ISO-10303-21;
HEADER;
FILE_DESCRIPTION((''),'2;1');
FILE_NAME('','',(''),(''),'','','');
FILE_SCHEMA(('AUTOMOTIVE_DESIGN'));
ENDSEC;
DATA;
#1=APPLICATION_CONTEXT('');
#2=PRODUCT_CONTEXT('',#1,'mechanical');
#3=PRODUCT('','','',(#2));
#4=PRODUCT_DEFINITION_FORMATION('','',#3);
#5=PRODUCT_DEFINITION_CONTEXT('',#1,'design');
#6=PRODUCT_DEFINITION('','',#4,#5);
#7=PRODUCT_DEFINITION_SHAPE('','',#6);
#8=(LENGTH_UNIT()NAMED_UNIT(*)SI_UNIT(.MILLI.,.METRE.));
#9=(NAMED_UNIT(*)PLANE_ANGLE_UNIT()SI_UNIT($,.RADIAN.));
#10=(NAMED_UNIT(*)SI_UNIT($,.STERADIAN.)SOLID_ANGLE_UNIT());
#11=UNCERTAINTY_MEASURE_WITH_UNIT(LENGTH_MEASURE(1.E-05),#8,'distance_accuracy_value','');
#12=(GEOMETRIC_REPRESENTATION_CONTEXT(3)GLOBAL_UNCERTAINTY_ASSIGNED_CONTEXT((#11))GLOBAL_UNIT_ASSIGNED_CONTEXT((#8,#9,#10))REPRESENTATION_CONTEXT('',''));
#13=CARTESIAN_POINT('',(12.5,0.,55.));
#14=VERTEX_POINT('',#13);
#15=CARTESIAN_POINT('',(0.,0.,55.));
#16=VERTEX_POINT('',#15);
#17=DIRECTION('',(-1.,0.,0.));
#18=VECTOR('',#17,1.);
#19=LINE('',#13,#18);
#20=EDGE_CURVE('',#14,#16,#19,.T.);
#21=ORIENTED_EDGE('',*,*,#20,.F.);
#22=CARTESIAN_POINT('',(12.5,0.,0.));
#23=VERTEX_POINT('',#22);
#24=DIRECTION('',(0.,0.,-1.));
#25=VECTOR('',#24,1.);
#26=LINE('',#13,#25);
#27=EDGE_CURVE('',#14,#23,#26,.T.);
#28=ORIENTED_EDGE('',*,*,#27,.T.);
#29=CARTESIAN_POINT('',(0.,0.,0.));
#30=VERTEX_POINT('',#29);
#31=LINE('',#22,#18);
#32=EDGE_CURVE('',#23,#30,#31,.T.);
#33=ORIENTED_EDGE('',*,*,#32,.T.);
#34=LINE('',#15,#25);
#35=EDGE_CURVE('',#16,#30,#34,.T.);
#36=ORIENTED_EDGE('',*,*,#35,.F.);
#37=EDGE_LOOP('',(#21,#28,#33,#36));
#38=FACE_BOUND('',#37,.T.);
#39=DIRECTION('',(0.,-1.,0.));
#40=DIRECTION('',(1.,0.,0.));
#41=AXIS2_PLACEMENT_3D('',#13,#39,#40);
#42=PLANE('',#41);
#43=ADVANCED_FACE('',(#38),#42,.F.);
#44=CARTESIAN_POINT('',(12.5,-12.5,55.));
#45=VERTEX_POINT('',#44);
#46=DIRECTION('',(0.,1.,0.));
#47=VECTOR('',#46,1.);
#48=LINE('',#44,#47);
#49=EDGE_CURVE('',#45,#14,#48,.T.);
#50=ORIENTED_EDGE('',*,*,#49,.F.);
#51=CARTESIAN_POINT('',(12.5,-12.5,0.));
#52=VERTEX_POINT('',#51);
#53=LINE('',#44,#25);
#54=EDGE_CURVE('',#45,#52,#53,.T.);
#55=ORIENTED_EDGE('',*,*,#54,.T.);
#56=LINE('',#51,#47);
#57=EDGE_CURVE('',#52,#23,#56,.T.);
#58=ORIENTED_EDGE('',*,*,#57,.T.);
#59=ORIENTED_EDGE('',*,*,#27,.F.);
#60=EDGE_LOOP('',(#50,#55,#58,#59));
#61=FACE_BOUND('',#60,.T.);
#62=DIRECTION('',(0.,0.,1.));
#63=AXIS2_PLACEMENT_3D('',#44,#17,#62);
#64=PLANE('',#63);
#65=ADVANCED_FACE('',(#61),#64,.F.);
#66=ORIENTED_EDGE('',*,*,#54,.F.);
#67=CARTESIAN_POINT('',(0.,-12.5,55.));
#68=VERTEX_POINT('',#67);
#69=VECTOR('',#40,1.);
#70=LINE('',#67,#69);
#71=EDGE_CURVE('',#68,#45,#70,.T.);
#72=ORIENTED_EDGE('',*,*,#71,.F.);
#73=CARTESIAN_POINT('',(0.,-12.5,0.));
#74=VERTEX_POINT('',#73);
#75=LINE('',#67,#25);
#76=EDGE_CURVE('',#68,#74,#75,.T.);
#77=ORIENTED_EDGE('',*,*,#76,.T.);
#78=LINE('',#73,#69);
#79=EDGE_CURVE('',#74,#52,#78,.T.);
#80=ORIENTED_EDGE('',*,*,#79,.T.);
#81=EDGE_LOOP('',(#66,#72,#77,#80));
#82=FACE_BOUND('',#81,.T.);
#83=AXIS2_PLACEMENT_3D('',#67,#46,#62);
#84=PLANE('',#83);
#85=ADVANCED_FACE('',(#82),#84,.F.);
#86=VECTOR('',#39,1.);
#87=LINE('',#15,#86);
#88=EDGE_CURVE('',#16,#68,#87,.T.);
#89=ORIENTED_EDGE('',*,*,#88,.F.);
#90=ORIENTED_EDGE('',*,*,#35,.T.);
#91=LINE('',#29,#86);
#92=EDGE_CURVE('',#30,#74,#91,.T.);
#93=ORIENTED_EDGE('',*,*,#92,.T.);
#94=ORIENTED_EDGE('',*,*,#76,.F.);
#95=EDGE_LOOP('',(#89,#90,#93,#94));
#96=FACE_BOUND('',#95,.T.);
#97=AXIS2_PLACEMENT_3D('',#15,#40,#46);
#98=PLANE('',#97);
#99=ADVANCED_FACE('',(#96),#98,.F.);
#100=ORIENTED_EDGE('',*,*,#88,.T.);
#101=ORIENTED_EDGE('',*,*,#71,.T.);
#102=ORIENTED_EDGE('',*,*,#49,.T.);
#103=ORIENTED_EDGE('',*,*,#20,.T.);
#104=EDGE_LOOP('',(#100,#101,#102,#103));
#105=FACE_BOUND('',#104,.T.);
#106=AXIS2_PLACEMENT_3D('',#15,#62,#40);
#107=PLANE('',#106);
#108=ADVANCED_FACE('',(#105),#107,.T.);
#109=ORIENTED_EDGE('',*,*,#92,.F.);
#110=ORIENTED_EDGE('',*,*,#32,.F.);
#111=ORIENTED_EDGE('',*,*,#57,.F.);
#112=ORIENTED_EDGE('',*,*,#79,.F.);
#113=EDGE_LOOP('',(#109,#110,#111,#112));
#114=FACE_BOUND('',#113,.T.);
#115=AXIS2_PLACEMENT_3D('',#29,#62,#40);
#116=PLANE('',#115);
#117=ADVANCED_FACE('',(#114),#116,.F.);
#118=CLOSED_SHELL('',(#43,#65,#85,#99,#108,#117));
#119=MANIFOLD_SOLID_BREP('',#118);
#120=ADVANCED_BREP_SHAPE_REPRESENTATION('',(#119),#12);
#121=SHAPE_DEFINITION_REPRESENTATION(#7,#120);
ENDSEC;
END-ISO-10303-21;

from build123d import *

# Parameters (mm, degrees)
SKETCH1_W           = 12.5
SKETCH1_H           = 12.5
BOSS_EXTRUDE1_DEPTH = 55


with BuildPart() as part:
    # Sketch1 → Boss-Extrude1 (new body)
    with BuildSketch(Plane.XY):
        with Locations((6.25, -6.25)):
            Rectangle(SKETCH1_W, SKETCH1_H)
    extrude(amount=BOSS_EXTRUDE1_DEPTH)


solid = part.part
